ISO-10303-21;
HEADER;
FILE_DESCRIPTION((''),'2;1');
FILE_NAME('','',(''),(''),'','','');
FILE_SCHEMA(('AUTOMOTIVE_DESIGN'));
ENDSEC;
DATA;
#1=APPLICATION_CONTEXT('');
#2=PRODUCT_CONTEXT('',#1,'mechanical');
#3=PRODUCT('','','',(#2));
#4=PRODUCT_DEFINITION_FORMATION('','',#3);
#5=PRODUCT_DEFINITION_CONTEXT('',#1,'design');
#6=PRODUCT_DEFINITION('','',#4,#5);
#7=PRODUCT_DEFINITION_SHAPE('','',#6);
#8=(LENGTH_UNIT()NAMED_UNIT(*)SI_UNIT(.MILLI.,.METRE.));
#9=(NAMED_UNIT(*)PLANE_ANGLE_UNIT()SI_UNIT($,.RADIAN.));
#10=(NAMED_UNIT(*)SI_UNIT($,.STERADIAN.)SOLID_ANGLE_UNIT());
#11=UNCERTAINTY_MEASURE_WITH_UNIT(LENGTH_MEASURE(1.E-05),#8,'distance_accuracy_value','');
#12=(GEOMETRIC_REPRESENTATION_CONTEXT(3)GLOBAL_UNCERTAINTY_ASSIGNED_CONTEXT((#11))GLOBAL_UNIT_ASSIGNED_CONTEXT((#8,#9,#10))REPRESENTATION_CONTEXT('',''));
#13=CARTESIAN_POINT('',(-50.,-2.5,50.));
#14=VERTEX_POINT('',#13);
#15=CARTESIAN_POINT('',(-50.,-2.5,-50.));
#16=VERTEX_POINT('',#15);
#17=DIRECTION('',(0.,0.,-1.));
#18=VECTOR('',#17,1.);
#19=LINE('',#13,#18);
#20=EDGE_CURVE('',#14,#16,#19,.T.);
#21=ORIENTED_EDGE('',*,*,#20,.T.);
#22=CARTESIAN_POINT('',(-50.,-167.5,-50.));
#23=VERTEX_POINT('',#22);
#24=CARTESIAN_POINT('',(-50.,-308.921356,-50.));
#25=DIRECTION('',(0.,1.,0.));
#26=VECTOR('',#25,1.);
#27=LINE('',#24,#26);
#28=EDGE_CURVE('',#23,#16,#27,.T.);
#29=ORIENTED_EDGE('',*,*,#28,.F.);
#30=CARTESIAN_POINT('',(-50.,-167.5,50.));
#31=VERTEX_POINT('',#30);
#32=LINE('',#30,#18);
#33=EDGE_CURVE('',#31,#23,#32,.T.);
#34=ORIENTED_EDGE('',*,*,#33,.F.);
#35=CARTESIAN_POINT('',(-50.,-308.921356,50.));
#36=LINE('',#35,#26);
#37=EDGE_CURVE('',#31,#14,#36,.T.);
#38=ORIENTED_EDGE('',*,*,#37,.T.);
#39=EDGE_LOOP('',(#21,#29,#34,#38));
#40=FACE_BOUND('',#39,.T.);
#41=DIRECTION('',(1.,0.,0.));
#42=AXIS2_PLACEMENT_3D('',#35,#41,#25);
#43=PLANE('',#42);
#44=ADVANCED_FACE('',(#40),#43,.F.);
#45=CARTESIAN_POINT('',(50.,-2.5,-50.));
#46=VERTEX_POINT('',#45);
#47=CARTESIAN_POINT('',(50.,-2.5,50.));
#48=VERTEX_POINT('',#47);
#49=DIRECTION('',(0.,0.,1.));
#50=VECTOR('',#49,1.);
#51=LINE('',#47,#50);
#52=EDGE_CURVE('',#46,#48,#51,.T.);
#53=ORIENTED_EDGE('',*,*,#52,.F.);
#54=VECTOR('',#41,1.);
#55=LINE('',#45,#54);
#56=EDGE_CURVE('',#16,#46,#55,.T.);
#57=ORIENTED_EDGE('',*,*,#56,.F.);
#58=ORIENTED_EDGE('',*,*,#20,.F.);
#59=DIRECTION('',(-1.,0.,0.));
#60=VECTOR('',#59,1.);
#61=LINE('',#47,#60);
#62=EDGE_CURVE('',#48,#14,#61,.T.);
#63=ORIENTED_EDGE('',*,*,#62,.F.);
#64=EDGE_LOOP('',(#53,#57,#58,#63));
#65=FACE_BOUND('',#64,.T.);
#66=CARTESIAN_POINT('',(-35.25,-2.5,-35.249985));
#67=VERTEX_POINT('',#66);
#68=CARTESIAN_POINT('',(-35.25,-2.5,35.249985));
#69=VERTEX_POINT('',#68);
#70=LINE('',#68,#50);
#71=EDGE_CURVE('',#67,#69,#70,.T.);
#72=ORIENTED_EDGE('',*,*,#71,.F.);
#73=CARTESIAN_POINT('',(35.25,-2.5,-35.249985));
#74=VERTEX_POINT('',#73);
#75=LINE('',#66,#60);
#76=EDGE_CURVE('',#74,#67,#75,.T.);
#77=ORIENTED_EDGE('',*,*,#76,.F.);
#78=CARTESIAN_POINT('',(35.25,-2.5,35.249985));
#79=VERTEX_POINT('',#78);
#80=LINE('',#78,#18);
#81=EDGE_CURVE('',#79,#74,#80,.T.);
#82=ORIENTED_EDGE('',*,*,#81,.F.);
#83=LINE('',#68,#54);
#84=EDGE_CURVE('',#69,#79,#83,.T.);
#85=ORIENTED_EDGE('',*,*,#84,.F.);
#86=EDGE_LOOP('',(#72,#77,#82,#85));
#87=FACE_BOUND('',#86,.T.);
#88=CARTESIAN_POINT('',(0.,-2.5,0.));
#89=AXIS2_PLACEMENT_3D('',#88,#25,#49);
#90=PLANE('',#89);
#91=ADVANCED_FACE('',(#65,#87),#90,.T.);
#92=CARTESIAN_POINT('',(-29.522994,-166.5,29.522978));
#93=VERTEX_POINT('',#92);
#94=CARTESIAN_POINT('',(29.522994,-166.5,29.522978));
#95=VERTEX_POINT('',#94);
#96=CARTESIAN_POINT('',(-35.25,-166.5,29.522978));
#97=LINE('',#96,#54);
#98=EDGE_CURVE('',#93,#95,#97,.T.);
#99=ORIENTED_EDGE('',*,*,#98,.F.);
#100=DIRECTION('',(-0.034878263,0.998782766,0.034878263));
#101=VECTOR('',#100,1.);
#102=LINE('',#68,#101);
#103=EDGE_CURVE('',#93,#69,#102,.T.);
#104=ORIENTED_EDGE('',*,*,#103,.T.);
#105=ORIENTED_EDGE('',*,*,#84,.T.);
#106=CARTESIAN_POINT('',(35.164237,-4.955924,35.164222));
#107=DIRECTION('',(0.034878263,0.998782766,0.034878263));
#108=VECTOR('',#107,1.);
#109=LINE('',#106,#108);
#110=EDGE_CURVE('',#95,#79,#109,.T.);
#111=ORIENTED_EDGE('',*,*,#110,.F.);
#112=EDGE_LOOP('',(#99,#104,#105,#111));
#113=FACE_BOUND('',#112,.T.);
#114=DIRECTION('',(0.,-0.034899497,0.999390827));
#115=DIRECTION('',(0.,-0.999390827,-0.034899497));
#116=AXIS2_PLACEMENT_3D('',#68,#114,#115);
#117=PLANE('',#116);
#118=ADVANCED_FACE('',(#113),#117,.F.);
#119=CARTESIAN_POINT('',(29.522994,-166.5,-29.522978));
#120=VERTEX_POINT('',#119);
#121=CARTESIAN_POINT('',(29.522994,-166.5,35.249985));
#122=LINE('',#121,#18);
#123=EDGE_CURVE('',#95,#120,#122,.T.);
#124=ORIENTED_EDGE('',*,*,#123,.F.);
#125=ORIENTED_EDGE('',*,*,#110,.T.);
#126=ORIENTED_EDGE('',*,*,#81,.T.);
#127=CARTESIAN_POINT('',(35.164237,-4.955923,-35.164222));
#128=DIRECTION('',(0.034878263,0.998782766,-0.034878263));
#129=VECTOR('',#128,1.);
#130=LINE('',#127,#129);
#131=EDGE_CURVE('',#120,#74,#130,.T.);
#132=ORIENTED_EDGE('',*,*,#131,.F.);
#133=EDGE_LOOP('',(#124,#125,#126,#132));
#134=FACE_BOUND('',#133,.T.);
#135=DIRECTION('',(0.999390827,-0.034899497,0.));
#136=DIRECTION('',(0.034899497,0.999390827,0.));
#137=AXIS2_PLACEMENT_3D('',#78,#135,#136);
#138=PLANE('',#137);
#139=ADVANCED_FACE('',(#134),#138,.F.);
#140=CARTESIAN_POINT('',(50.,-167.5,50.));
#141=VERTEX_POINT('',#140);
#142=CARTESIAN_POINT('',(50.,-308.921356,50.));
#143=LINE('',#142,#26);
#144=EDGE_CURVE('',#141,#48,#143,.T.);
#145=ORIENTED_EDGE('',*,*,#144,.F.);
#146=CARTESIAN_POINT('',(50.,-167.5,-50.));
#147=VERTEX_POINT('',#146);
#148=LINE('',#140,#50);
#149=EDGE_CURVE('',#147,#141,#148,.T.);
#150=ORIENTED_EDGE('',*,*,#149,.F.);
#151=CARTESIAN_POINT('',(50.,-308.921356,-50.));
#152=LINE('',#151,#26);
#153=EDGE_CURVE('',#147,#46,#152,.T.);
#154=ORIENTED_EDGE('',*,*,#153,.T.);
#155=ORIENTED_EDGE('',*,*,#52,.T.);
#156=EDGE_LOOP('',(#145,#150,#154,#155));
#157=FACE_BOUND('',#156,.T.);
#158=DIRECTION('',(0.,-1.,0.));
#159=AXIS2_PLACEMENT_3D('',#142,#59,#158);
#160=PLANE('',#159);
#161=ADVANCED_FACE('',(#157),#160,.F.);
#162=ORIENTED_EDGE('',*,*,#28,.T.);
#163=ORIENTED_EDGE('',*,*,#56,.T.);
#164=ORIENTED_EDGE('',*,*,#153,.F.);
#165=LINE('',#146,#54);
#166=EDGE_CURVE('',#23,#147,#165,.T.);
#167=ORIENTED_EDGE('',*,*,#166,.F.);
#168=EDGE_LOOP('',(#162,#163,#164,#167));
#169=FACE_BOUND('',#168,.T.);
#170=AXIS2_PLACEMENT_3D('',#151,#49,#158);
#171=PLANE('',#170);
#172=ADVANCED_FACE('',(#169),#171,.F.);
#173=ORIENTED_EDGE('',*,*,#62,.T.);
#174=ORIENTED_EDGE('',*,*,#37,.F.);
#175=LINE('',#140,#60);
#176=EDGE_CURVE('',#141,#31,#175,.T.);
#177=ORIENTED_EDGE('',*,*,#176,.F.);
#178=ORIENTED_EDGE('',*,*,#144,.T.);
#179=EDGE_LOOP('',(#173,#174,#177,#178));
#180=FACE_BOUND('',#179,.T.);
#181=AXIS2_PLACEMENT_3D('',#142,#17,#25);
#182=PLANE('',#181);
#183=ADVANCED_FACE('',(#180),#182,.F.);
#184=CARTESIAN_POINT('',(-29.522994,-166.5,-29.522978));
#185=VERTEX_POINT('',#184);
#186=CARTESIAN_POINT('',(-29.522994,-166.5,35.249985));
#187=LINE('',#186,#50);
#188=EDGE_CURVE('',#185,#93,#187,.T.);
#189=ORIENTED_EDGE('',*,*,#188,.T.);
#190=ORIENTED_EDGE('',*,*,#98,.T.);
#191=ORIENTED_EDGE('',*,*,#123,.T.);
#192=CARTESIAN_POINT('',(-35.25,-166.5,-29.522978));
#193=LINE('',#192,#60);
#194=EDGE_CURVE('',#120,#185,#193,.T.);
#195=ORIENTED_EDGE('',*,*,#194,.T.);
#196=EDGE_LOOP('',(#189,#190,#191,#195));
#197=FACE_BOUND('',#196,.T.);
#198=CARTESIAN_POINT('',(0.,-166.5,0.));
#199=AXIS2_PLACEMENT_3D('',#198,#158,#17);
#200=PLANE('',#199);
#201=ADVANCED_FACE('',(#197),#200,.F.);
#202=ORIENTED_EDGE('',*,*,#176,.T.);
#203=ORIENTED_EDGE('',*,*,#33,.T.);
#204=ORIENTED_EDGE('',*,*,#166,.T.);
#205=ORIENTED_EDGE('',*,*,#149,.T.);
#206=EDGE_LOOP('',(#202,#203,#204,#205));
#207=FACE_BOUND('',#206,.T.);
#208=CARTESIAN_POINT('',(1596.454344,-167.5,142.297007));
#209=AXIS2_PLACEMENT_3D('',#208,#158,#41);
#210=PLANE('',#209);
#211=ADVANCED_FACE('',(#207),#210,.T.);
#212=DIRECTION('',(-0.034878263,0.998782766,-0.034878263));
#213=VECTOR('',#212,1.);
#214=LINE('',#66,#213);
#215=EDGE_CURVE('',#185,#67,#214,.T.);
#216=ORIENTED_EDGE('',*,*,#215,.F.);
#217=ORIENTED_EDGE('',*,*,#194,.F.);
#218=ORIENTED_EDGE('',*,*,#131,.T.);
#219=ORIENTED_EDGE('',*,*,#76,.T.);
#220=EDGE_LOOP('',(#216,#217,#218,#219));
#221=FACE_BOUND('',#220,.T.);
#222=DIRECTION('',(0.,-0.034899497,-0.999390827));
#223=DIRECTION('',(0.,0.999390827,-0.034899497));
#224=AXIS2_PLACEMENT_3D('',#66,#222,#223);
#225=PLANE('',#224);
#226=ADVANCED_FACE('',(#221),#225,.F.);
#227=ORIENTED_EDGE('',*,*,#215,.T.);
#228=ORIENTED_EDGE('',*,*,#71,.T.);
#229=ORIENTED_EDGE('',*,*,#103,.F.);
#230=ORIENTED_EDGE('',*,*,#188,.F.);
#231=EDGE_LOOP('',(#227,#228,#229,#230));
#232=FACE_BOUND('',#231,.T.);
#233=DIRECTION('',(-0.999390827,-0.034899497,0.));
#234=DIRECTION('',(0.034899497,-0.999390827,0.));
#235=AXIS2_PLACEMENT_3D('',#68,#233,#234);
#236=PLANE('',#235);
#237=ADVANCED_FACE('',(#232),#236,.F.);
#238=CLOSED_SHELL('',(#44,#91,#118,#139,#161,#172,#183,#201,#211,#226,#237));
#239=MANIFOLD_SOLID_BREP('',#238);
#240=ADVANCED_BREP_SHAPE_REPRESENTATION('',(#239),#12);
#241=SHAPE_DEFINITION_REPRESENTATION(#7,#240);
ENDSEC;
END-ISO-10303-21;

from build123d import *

# Parameters (mm, degrees)
SKETCH2_W           = 100
SKETCH2_H           = 100
BOSS_EXTRUDE1_DEPTH = 165
SKETCH3_W           = 70.5
SKETCH3_H           = 70.499969084
CUT_EXTRUDE1_DEPTH  = 164
CUT_EXTRUDE1_DRAFT  = -2


with BuildPart() as part:
    # Sketch2 → Boss-Extrude1 (new body)
    with BuildSketch(Plane.XZ.offset(2.5)):
        Rectangle(SKETCH2_W, SKETCH2_H)
    extrude(amount=BOSS_EXTRUDE1_DEPTH)


with BuildPart() as cut_extrude1_tool:
    # Sketch3 → Cut-Extrude1 (with draft: the straight prism first)
    with BuildSketch(Plane(origin=(0, -2.5, 0), x_dir=(1, 0, 0), z_dir=(0, 1, 0))):
        Rectangle(SKETCH3_W, SKETCH3_H)
    extrude(amount=-CUT_EXTRUDE1_DEPTH)
    # Cut-Extrude1: the draft: its side faces are tilted about the plane it starts from
    cut_extrude1_sides = [cut_extrude1_tool.faces().sort_by_distance(p)[0] for p in [
        (0, -84.5, 35.249984542),
        (35.25, -84.5, 0),
        (0, -84.5, -35.249984542),
        (-35.25, -84.5, 0),
    ]]
    draft(cut_extrude1_sides, Plane(origin=(0, -2.5, 0), x_dir=(1, 0, 0), z_dir=(0, 1, 0)), CUT_EXTRUDE1_DRAFT)


with BuildPart() as part_1:
    add(part.part)

    # Cut-Extrude1: cut by cut_extrude1_tool
    add(cut_extrude1_tool.part, mode=Mode.SUBTRACT)


solid = part_1.part
